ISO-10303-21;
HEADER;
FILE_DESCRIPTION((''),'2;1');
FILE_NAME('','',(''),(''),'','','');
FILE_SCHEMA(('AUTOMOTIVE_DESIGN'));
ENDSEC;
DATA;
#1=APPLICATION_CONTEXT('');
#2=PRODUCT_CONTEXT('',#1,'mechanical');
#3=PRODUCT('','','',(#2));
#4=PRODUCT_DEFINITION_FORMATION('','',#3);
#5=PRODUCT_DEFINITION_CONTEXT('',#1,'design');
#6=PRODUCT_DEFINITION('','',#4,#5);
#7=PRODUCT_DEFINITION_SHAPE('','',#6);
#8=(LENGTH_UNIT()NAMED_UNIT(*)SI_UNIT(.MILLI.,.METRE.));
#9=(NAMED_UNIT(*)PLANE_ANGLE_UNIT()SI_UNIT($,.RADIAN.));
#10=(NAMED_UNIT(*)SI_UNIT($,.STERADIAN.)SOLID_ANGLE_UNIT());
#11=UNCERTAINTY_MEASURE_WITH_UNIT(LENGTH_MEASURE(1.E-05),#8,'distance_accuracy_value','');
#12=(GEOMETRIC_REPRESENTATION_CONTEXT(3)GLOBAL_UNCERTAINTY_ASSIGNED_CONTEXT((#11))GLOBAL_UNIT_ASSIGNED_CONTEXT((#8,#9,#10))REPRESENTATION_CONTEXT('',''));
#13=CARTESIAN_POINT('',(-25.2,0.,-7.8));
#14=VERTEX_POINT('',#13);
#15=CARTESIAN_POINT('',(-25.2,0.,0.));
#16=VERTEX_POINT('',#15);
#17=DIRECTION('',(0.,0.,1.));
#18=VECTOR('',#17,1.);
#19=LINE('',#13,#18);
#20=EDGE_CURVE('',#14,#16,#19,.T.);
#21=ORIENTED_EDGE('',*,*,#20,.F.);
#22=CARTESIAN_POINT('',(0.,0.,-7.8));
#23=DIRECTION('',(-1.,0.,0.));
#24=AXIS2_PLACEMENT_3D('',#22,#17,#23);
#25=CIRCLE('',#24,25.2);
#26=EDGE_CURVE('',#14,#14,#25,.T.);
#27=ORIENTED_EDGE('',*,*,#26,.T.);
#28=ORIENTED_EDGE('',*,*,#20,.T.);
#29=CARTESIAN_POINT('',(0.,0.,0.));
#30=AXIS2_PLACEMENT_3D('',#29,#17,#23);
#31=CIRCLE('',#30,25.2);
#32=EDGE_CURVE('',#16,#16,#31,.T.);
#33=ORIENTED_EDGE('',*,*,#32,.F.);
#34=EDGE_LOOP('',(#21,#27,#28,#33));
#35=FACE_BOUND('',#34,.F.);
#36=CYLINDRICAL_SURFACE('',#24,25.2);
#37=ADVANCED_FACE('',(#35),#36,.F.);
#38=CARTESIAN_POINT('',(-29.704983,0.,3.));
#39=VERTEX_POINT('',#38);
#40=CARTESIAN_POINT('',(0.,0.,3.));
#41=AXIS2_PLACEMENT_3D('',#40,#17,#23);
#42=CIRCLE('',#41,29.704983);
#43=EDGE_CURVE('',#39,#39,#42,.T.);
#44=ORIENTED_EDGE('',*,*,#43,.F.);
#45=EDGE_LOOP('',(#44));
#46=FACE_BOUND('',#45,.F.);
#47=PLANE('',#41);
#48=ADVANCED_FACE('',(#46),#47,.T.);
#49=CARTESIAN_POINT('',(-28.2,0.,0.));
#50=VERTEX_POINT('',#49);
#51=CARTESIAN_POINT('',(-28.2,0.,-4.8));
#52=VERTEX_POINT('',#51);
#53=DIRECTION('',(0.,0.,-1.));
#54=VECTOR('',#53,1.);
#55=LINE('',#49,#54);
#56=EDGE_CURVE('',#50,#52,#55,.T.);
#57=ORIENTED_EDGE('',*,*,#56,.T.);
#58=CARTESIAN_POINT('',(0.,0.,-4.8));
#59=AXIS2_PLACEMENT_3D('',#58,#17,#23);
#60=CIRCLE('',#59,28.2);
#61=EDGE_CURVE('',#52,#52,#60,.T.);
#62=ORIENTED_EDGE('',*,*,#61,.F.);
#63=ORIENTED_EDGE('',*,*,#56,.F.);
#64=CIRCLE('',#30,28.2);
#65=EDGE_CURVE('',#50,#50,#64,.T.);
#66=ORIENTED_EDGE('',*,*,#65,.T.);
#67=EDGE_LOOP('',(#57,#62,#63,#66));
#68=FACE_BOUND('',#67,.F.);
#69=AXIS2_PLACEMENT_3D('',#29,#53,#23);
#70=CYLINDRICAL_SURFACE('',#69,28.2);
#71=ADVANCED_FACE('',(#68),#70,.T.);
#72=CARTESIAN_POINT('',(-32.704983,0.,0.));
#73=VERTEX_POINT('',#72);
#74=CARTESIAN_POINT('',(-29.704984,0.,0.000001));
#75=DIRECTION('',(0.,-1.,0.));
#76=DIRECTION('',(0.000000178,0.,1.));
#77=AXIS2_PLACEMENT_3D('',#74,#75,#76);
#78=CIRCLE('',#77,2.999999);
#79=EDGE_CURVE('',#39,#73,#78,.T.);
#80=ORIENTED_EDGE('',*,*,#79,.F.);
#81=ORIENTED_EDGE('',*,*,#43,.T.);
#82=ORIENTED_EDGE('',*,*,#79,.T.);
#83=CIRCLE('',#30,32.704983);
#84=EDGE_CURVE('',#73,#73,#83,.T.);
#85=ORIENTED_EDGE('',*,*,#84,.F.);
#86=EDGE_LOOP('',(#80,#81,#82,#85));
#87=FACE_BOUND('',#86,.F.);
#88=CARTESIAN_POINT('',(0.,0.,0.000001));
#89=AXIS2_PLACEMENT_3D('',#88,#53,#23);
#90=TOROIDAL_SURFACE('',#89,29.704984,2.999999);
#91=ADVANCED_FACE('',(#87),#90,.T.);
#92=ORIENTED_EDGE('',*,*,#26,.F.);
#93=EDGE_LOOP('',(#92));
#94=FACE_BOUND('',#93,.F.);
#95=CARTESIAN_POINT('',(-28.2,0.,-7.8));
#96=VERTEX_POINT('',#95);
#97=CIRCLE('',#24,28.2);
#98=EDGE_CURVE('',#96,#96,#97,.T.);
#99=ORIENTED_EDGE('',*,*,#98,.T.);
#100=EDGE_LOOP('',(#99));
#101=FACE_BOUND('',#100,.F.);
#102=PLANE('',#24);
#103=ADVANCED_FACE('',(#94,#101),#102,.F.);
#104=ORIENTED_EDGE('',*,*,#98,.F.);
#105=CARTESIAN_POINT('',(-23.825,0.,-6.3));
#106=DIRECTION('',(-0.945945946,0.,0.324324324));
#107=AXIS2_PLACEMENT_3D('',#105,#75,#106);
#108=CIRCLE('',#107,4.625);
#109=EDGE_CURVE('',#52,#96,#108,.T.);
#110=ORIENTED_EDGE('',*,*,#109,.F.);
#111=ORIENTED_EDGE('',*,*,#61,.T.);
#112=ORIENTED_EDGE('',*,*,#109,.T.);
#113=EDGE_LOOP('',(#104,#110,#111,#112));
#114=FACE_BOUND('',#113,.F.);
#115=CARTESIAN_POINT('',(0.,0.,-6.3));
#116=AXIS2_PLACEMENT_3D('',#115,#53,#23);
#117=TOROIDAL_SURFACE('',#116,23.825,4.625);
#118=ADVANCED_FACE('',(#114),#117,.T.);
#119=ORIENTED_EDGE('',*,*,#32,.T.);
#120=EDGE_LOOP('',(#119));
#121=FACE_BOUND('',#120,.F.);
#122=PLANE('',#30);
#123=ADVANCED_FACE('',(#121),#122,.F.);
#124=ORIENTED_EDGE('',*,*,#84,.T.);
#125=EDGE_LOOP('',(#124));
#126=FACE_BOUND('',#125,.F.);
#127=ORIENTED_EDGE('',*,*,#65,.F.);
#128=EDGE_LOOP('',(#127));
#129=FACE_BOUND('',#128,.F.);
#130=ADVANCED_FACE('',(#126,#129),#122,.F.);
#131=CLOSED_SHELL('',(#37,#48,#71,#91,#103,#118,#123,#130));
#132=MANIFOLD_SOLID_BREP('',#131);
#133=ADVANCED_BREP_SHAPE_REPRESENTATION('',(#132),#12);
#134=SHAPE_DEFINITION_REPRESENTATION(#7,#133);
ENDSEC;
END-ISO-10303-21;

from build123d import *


with BuildPart() as f1:
    # F0 (on Front) → F1 (revolve)
    with BuildSketch(Plane.XZ):
        with BuildLine():
            Line((-28.2, -7.8), (-25.2, -7.8))
            Line((-25.2, -7.8), (-25.2, 0))
            Line((-25.2, 0), (0, 0))
            Line((0, 0), (0, 3))
            Line((0, 3), (-29.704983, 3))
            ThreePointArc((-29.704983, 3), (-31.826304, 2.12132), (-32.704983, 0))
            Line((-32.704983, 0), (-28.2, 0))
            Line((-28.2, 0), (-28.2, -4.8))
            ThreePointArc((-28.2, -4.8), (-28.45, -6.3), (-28.2, -7.8))
        make_face()
    revolve(axis=Axis((0, 0, 1.5), (0, 0, 1)))


solid = f1.part
